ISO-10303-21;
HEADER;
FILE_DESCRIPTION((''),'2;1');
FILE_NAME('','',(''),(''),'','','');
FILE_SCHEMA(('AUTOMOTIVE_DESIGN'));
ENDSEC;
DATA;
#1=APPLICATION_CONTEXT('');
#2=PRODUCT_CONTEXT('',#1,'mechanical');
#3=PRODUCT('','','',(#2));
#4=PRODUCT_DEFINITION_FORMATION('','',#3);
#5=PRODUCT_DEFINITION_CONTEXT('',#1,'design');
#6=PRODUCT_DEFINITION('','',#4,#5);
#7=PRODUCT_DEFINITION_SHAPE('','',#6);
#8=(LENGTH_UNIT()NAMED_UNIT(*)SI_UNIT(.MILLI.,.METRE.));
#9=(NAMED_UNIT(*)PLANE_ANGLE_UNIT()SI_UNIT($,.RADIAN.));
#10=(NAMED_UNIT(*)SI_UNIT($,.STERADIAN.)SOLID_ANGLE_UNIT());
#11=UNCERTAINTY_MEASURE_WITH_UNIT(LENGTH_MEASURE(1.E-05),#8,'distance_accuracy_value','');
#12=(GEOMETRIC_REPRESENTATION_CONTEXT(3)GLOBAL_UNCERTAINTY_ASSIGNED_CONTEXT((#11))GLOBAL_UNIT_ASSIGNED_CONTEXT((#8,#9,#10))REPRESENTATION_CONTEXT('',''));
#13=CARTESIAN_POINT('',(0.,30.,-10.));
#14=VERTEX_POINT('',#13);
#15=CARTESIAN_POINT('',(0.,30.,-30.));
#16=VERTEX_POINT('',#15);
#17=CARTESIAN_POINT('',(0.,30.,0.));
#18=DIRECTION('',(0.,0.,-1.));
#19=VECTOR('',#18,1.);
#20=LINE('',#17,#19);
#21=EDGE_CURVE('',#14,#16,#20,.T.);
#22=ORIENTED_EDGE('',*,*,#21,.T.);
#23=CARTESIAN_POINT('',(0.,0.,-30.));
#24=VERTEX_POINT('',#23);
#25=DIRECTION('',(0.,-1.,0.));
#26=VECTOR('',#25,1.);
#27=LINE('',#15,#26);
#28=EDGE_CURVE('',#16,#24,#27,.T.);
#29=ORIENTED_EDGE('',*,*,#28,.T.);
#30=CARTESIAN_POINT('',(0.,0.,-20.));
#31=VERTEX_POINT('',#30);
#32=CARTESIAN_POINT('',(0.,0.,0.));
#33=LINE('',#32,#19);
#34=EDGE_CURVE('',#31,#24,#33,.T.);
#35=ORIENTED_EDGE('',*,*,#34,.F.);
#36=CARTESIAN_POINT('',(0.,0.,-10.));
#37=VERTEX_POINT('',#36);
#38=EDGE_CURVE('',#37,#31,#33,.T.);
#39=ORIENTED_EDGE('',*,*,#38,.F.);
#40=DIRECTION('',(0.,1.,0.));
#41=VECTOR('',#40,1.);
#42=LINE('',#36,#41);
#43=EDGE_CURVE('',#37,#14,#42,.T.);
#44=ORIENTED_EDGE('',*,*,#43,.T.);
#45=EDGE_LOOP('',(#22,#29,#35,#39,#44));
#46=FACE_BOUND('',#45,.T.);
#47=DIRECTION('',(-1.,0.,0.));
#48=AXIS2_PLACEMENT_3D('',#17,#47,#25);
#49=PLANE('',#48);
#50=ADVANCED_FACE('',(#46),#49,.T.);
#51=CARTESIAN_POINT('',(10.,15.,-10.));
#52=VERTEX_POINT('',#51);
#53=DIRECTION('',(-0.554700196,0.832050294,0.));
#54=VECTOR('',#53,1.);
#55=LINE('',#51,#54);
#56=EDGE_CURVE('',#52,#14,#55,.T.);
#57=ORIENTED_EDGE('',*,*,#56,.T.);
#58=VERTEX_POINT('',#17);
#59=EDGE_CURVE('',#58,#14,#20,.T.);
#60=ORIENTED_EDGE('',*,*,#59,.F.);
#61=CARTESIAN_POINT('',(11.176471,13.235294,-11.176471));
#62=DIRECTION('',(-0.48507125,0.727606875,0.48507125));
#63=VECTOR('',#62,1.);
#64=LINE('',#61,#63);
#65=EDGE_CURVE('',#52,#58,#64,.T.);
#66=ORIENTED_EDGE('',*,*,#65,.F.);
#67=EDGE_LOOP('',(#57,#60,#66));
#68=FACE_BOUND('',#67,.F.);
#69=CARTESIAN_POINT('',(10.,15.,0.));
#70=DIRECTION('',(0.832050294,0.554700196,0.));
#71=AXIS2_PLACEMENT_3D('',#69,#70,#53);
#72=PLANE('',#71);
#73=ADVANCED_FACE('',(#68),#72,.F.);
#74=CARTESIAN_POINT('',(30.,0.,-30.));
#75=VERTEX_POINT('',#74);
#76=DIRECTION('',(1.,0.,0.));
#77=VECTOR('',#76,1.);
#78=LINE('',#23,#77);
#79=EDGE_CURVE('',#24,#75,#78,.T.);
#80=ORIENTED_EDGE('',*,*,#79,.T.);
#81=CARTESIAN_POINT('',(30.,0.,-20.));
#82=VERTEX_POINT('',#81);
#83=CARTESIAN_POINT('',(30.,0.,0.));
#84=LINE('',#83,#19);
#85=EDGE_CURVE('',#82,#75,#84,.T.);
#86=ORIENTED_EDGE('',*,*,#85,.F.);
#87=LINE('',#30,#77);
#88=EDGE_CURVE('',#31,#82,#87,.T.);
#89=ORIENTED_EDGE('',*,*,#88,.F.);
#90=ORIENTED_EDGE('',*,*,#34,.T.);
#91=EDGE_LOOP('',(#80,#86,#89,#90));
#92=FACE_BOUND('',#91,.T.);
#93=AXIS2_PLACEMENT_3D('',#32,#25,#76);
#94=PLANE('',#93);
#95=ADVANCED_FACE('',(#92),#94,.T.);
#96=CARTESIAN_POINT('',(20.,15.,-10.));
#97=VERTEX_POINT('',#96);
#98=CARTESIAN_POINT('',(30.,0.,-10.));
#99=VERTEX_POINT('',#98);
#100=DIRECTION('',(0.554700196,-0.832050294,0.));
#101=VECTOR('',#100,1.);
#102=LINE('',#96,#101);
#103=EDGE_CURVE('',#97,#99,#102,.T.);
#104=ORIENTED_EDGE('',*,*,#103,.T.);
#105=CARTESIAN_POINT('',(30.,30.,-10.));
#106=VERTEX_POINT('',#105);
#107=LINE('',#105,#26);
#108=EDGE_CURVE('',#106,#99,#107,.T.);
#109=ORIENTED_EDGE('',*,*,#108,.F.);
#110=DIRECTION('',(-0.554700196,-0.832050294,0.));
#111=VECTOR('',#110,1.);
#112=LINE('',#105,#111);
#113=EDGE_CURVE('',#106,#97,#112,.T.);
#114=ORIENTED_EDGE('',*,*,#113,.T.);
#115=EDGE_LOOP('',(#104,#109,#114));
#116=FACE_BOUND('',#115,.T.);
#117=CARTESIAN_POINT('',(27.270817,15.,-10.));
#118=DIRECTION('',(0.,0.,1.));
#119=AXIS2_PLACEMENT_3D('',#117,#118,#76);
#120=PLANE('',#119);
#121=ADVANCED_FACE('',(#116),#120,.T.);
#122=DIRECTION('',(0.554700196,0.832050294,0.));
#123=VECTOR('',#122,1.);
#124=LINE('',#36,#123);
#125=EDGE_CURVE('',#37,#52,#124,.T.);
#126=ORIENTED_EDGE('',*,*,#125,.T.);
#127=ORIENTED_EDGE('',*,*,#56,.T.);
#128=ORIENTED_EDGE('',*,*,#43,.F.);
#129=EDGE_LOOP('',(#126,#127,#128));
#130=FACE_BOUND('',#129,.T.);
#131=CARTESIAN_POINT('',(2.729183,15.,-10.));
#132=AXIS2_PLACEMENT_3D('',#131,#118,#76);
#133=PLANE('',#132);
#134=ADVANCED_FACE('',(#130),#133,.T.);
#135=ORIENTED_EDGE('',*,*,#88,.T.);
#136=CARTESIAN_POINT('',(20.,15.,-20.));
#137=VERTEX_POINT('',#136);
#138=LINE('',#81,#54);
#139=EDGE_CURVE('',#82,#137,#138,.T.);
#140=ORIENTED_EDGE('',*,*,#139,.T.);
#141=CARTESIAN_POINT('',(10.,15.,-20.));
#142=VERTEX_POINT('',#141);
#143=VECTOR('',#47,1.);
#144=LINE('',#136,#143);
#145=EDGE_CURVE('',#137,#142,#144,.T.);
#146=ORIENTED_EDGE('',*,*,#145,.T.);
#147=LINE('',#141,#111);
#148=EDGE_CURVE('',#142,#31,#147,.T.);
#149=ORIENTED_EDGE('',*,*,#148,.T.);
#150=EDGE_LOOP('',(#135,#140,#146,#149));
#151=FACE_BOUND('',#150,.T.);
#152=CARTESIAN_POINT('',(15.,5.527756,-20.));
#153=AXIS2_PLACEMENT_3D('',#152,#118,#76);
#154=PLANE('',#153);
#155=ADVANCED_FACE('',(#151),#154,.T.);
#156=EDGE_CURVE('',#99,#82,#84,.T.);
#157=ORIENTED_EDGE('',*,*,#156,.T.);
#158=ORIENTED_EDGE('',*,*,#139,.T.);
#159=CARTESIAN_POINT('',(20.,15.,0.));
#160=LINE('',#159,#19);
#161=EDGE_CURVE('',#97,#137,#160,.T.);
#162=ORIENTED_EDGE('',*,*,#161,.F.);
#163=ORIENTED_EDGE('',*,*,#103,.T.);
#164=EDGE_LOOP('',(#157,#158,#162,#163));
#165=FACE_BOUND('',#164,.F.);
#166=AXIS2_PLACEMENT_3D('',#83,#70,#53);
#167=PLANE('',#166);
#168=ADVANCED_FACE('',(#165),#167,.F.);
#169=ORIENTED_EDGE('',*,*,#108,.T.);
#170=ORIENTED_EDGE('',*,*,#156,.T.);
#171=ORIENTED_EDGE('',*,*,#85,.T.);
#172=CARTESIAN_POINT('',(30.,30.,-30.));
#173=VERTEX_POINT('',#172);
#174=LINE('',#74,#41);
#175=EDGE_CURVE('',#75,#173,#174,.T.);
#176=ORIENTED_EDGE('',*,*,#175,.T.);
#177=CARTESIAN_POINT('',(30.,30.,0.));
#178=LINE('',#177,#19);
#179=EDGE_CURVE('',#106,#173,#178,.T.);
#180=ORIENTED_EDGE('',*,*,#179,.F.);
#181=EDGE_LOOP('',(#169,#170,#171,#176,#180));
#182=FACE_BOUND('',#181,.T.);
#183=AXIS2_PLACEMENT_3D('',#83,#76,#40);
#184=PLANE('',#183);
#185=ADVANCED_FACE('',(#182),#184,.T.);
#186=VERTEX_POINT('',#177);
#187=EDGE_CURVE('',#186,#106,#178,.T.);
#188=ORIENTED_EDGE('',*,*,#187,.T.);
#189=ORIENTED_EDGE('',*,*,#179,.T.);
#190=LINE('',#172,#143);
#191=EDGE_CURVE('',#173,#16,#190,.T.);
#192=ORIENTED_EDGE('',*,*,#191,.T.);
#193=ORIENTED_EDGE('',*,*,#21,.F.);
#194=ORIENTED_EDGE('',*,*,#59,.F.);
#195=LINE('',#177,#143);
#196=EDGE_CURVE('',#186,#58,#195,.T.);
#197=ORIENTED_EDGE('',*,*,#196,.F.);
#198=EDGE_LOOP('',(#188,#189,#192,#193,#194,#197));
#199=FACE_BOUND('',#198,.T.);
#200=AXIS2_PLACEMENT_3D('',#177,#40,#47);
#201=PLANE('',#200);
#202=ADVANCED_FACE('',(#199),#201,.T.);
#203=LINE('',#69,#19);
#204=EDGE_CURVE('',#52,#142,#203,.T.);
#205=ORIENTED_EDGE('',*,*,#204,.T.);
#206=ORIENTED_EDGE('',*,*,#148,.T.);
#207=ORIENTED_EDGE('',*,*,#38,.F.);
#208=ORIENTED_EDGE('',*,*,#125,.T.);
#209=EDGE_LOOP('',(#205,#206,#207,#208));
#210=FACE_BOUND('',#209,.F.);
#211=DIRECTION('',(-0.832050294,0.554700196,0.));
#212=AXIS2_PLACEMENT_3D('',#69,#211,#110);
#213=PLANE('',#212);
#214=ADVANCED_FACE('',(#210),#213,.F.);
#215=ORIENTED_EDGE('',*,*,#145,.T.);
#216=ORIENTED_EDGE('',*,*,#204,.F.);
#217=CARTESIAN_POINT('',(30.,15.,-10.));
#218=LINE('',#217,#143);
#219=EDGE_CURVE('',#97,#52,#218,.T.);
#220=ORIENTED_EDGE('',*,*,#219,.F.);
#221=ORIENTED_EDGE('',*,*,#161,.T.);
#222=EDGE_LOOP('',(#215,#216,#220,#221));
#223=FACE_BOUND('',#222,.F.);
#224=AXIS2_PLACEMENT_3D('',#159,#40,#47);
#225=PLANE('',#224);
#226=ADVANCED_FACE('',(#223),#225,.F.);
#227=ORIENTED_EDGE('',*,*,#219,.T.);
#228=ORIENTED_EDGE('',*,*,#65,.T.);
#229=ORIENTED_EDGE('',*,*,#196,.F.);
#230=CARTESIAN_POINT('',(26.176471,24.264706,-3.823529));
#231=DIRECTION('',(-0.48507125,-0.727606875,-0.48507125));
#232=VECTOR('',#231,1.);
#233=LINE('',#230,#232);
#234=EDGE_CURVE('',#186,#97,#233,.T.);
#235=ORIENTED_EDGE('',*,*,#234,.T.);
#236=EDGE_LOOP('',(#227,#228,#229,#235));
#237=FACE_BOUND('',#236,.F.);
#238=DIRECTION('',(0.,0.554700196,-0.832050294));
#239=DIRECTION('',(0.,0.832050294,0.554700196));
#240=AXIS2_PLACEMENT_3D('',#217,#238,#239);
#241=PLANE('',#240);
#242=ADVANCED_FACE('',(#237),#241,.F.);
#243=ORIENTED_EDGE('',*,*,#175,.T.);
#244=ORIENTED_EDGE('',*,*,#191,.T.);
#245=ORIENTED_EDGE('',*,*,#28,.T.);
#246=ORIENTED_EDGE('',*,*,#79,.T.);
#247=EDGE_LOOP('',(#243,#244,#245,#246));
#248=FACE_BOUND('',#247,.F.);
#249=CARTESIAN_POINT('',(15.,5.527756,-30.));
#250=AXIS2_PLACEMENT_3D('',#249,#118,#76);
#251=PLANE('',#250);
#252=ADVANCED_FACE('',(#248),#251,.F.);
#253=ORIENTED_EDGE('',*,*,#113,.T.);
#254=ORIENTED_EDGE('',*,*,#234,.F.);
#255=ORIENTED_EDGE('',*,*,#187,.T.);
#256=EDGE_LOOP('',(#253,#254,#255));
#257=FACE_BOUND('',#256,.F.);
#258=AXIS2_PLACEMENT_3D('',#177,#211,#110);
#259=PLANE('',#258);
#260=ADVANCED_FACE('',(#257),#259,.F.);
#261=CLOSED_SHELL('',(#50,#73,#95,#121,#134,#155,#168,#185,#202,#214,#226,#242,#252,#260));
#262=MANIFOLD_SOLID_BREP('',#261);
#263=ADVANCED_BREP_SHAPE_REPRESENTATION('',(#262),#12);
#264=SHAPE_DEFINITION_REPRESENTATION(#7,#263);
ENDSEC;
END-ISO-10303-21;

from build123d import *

# Parameters (mm, degrees)
F1_DEPTH = 30
F2_DEPTH = 20
F3_DEPTH = 10
F5_DEPTH = 30.001


with BuildPart() as f1:
    # F0 (on Top) → F1 (new body)
    with BuildSketch(Plane.XY):
        Polygon((10, 15), (0, 0), (30, 0), (20, 15), align=None)
        Polygon((0, 30), (0, 0), (10, 15), align=None)
        Polygon((20, 15), (30, 0), (30, 30), align=None)
        Polygon((30, 30), (0, 30), (10, 15), (20, 15), align=None)
    extrude(amount=-F1_DEPTH)

    # F0 (on Top) → F2 (cut)
    with BuildSketch(Plane.XY):
        Polygon((10, 15), (0, 0), (30, 0), (20, 15), align=None)
    extrude(amount=-F2_DEPTH, mode=Mode.SUBTRACT)

    # F0 (on Top) → F3 (cut)
    with BuildSketch(Plane.XY):
        Polygon((0, 30), (0, 0), (10, 15), align=None)
        Polygon((20, 15), (30, 0), (30, 30), align=None)
    extrude(amount=-F3_DEPTH, mode=Mode.SUBTRACT)

    # F4 (on face) → F5 (cut, through all)
    with BuildSketch(Plane.YZ.offset(30)):
        Polygon((30, 0), (15, 0), (15, -10), align=None)
    extrude(amount=-F5_DEPTH, mode=Mode.SUBTRACT)


solid = f1.part
